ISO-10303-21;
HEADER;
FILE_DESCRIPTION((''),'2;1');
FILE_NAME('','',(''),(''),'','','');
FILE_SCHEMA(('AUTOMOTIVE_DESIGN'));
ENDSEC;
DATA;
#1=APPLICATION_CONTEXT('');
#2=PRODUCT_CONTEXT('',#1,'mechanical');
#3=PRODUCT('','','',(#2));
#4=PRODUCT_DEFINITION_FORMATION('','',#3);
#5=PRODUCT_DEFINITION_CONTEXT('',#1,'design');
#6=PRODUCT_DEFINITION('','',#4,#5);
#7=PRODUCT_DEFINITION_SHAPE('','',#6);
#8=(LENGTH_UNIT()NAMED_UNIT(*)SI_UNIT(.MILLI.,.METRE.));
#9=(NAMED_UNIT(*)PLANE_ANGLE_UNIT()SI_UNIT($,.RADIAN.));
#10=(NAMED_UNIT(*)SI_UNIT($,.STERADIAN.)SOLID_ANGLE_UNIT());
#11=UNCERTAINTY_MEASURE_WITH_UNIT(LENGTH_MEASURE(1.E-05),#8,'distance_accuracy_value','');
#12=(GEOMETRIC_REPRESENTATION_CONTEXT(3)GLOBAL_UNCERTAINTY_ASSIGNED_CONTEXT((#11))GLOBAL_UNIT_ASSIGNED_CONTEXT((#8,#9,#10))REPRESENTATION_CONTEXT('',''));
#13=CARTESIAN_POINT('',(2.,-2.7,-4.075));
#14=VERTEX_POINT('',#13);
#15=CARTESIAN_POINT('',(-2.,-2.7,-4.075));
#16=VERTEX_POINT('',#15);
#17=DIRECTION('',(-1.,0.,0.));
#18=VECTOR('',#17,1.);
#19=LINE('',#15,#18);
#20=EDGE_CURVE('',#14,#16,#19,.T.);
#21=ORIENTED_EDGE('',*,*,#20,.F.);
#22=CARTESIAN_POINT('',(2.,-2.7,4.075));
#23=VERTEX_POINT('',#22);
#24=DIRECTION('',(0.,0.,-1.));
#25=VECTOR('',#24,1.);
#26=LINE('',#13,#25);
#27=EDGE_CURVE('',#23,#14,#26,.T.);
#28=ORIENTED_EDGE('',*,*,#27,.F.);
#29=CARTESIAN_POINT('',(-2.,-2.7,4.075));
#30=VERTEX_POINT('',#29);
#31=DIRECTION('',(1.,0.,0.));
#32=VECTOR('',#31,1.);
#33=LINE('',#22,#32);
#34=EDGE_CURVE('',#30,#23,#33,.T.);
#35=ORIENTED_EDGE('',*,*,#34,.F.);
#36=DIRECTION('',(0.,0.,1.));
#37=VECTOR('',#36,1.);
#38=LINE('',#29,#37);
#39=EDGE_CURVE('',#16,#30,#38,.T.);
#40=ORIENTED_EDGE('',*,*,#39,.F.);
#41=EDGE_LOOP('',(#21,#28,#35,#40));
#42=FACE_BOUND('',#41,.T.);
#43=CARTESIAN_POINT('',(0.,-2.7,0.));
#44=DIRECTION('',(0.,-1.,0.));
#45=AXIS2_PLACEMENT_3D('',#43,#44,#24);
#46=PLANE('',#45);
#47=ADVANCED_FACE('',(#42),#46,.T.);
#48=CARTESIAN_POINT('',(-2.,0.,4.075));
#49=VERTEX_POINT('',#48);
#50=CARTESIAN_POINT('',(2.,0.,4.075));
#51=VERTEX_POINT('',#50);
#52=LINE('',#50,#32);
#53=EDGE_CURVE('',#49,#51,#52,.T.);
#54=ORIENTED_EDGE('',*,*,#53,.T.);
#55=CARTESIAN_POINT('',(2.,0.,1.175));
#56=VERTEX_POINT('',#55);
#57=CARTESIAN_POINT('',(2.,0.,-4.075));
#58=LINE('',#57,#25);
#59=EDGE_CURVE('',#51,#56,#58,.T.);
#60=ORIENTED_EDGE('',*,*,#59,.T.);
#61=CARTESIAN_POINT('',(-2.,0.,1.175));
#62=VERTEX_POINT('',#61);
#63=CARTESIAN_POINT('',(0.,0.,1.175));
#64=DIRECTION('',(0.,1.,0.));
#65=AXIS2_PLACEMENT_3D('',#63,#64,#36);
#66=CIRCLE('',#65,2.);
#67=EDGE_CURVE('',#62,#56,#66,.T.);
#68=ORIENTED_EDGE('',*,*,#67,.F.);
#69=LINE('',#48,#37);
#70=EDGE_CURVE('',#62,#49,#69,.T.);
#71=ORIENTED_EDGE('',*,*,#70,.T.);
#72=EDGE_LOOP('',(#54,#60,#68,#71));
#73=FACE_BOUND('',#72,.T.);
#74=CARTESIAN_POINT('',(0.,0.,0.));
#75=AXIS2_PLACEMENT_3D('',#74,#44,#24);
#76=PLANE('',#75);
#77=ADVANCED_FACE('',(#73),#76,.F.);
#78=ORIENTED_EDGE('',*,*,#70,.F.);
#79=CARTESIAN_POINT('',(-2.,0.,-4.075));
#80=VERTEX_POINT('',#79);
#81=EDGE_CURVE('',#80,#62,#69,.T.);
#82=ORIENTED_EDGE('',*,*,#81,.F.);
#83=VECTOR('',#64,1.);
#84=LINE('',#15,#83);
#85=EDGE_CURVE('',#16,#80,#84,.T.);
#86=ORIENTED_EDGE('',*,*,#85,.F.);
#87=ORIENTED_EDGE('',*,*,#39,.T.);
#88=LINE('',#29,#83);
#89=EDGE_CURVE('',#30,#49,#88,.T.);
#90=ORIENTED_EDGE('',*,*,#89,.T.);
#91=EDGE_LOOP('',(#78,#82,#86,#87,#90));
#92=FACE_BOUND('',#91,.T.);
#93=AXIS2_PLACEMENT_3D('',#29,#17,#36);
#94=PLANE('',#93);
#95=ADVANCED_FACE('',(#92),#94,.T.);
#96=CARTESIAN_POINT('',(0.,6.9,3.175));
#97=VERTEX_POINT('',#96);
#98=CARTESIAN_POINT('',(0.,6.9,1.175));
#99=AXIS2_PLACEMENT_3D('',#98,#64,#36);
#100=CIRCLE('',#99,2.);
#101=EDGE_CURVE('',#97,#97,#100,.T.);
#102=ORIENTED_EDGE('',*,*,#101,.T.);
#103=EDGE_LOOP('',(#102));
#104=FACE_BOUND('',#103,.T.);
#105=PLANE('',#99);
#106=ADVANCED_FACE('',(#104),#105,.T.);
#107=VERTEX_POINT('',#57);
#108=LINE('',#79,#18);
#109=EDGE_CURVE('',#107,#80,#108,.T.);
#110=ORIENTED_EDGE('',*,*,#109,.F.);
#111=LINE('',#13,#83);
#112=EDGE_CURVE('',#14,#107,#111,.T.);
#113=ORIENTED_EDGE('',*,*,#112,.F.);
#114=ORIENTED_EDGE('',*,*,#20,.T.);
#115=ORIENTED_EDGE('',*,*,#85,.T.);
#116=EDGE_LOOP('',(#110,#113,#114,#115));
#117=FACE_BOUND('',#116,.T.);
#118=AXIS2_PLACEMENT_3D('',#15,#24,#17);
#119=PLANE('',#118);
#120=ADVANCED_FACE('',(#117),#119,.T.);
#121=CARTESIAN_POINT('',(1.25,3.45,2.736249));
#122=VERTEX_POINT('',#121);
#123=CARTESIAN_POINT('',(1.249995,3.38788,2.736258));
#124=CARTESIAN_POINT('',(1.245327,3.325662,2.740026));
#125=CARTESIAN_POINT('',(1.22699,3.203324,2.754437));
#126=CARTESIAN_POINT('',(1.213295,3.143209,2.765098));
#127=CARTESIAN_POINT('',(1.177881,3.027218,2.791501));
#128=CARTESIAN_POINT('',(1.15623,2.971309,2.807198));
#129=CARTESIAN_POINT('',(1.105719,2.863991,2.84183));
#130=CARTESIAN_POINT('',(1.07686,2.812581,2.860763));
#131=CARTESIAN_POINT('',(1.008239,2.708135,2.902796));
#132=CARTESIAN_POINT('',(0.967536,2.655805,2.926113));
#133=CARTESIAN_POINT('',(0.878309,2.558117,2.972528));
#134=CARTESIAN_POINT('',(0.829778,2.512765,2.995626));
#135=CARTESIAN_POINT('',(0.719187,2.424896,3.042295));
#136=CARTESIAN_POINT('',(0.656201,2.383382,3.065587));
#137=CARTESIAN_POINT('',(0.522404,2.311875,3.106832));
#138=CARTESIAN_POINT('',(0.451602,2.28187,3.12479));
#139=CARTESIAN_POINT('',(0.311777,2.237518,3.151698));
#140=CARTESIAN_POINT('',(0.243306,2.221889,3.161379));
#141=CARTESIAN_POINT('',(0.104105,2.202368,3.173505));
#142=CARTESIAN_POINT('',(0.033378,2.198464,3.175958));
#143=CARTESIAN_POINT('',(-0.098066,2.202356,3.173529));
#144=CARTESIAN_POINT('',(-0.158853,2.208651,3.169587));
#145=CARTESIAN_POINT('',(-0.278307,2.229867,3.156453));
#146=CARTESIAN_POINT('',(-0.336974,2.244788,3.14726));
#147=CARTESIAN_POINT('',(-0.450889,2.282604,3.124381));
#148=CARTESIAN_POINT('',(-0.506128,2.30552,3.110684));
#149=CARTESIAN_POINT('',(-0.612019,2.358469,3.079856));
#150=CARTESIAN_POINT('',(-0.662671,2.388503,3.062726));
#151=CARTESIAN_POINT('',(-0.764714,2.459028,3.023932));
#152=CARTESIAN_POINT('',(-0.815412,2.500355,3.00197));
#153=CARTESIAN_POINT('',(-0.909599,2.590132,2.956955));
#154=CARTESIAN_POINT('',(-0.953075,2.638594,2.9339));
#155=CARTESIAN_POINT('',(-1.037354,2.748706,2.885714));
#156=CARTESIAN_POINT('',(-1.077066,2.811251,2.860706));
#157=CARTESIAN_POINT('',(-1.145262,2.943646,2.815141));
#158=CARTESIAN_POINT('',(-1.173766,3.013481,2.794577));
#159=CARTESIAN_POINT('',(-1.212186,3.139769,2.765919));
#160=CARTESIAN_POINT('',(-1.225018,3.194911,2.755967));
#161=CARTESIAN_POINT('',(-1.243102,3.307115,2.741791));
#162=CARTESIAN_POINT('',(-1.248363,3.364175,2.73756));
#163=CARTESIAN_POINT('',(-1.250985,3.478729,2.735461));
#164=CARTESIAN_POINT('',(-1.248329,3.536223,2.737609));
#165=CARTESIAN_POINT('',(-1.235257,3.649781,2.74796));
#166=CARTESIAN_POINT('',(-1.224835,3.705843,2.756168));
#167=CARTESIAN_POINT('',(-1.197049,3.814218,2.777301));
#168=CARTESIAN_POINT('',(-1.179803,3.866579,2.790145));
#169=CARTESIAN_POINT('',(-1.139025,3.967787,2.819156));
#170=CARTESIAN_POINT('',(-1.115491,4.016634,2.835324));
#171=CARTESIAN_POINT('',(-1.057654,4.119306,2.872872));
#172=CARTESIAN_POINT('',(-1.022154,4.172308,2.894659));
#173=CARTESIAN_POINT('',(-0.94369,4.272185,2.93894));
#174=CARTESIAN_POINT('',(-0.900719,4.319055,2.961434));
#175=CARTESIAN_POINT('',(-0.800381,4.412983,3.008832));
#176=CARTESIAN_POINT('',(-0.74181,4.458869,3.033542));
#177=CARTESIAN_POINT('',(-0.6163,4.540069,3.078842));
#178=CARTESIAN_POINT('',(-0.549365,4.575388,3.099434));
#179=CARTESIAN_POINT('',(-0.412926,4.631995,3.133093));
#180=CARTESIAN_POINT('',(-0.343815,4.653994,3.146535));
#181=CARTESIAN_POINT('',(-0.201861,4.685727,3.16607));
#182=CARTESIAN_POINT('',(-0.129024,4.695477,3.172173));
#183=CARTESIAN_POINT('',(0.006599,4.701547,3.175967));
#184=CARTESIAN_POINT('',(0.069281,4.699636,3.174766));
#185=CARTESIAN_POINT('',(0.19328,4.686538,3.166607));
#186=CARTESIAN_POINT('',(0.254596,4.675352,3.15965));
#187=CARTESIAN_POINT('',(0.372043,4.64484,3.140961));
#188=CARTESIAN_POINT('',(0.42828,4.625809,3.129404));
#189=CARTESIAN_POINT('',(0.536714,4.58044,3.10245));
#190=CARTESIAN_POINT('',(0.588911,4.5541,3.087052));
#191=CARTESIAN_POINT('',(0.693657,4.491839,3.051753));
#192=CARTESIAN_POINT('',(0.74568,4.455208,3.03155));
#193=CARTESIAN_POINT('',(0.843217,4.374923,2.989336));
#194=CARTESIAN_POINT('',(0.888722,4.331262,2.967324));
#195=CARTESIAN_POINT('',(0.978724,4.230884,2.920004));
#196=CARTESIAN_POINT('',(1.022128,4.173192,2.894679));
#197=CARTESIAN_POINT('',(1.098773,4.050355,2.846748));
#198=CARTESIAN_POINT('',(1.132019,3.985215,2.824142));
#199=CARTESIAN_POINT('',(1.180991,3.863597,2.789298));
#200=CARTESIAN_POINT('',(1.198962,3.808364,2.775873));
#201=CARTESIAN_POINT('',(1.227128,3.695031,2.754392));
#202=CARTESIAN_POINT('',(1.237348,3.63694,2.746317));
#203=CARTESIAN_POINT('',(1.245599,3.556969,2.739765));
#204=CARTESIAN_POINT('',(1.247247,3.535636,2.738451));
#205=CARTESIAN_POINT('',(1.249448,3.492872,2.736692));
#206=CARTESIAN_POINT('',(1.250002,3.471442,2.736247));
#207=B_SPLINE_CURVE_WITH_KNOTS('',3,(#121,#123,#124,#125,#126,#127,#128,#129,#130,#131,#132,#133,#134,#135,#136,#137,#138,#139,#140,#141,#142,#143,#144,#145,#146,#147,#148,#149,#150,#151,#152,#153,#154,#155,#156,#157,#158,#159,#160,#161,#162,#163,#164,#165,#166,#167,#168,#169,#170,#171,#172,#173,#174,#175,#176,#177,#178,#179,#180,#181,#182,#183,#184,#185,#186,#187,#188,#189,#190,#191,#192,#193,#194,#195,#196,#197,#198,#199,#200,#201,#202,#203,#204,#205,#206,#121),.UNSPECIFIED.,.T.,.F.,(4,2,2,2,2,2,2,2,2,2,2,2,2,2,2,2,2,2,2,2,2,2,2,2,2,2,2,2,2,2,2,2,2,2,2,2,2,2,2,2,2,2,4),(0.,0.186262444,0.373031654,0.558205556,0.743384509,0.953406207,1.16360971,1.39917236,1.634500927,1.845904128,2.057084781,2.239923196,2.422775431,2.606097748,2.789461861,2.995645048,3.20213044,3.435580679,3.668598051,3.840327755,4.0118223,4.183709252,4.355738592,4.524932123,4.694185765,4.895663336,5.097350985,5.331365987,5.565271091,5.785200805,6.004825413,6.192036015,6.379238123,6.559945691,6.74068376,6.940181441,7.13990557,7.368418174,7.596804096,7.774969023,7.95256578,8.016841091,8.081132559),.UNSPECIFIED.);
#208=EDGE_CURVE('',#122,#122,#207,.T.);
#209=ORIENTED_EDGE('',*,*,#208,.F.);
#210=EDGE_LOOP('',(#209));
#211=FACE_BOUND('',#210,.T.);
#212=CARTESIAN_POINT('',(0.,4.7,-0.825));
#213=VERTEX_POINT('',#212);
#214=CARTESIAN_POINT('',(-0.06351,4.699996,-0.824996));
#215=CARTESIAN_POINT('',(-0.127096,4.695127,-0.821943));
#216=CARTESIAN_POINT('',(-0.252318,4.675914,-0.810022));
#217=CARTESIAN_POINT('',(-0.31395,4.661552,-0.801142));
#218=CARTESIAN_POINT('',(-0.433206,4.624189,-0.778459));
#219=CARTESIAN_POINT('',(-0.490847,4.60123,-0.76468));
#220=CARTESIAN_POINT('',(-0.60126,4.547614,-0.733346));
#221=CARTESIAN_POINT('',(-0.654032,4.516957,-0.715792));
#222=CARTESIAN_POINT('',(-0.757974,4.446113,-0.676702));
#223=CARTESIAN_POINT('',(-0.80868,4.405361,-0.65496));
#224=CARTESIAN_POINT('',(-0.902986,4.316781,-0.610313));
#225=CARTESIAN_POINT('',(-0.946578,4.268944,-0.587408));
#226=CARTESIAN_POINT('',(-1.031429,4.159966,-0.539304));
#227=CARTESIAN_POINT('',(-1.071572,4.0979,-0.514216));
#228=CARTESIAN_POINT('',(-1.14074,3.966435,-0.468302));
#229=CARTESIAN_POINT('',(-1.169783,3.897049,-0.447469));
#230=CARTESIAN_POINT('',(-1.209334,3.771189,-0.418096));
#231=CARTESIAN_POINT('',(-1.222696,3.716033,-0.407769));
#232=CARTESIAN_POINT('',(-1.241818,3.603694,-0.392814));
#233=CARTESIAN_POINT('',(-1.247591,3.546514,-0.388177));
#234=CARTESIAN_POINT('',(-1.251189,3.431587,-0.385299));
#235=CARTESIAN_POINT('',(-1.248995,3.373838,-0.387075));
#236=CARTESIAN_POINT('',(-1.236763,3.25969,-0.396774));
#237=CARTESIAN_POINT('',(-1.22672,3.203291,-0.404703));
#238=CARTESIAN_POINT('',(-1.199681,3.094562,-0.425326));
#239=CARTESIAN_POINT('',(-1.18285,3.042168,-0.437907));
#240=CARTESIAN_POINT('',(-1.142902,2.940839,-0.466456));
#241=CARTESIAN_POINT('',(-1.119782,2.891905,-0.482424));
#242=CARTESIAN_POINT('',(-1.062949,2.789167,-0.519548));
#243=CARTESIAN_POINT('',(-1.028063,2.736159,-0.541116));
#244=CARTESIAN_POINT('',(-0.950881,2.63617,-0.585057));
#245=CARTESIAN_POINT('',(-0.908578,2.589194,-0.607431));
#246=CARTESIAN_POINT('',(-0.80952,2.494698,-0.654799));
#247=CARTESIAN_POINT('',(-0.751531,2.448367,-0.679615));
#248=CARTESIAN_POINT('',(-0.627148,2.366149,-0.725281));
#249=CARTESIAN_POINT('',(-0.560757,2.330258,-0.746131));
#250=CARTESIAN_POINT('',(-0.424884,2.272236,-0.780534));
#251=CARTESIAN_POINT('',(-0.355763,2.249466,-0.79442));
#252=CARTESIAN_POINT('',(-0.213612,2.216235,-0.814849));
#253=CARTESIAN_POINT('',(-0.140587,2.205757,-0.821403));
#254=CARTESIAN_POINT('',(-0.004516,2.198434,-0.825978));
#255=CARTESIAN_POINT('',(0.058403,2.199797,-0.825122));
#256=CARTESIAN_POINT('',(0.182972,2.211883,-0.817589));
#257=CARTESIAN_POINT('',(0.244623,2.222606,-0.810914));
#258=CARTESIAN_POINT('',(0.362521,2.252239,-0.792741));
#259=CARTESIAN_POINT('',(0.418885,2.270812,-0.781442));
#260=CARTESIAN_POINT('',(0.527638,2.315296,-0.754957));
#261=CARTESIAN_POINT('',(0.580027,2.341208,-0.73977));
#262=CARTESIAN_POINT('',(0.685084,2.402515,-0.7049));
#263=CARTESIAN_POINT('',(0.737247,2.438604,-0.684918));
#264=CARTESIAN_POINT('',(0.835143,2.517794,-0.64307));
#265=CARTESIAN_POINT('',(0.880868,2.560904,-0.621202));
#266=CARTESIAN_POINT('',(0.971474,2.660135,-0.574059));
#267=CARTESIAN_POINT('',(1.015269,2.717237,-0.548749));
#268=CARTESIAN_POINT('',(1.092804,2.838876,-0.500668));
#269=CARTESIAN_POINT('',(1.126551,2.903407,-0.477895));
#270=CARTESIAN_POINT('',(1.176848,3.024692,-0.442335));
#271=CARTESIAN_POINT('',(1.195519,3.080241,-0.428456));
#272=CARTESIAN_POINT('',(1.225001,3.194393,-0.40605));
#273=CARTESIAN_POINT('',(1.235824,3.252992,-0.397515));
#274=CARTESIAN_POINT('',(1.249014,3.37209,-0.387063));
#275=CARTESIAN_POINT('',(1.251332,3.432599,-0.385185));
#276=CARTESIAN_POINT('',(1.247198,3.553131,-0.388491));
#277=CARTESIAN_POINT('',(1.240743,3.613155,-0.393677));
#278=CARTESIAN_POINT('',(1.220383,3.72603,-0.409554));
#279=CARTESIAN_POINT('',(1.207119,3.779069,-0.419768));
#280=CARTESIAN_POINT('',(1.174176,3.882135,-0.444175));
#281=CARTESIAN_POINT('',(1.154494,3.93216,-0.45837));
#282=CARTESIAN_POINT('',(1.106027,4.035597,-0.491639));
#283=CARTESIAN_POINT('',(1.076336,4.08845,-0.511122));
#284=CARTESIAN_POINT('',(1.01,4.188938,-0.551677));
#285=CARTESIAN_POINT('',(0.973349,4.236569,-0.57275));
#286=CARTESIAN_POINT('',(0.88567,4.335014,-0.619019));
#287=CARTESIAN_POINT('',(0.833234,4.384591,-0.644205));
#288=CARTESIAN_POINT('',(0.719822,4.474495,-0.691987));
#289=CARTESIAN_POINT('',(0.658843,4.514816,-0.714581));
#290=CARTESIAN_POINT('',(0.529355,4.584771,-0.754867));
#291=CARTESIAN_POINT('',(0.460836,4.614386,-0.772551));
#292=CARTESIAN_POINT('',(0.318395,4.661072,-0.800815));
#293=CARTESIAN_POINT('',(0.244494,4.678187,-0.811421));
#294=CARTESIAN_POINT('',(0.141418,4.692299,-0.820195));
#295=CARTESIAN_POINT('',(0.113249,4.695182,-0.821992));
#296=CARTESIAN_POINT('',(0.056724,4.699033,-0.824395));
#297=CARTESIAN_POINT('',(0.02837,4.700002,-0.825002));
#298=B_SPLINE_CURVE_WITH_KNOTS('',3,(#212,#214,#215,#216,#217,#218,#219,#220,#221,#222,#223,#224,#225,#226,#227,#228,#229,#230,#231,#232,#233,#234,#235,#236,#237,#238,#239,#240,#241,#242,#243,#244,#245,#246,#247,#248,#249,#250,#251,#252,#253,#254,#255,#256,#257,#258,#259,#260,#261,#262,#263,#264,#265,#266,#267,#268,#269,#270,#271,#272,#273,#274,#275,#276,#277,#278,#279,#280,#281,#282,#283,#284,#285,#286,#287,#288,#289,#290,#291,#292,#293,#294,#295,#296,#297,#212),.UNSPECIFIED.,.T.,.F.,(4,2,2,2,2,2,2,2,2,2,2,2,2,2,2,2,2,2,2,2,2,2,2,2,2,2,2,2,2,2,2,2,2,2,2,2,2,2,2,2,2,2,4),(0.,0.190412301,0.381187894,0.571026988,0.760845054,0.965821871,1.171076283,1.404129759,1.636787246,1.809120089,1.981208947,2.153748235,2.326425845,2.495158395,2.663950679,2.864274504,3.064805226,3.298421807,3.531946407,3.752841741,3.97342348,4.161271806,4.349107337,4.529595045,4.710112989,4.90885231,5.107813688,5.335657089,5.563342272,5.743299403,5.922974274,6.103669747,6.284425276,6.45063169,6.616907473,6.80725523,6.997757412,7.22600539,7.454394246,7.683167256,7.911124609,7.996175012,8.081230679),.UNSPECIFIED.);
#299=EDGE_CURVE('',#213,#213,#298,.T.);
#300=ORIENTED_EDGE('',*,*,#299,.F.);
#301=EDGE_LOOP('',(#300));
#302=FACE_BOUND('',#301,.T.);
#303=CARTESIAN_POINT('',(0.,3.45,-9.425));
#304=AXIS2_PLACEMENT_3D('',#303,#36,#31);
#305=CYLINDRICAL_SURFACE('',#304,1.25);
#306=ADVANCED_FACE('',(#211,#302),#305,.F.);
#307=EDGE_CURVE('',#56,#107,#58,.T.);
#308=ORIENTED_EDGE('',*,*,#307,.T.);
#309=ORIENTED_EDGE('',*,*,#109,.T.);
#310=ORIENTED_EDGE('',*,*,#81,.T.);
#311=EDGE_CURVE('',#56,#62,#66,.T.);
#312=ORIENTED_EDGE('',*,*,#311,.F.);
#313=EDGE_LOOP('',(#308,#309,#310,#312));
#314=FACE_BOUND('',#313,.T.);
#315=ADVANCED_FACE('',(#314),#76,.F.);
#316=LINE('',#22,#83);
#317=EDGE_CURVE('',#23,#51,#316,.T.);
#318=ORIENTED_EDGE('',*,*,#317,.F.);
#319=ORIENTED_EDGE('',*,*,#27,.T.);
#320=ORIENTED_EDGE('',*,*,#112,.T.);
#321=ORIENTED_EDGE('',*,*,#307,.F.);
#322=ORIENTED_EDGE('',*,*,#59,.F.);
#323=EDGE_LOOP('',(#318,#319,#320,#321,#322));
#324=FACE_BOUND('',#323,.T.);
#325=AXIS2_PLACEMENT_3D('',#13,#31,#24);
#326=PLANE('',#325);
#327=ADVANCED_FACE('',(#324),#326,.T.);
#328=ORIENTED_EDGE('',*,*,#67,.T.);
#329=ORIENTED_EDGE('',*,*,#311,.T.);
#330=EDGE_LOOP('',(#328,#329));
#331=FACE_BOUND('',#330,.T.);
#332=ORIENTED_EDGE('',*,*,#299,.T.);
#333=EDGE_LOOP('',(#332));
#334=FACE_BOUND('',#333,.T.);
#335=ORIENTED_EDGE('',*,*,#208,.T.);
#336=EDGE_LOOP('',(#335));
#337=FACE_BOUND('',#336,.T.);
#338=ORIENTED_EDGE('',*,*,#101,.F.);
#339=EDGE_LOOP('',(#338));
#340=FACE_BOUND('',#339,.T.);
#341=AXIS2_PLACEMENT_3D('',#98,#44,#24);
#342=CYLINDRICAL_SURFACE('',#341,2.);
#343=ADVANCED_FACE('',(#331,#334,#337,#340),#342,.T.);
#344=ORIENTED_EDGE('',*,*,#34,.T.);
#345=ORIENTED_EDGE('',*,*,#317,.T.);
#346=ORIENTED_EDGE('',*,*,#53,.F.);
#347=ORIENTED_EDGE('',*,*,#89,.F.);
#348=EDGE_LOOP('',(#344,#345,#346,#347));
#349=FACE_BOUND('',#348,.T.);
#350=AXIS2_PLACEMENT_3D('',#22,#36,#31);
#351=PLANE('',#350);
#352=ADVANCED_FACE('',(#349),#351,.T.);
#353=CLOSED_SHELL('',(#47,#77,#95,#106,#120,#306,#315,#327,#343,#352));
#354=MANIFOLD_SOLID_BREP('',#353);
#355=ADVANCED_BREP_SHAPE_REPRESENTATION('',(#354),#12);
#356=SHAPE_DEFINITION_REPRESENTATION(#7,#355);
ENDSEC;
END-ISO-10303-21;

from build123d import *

# Parameters (mm, degrees)
SKETCH2_W         = 4
SKETCH2_H         = 8.15
BOTTOM_DEPTH      = 2.7
SKETCH3_R         = 2
TOP_DEPTH         = 6.9
SKETCH4_R         = 1.25
TENDON_HOLE_DEPTH = 13.5


with BuildPart() as part:
    # Sketch2 → bottom (new body)
    with BuildSketch(Plane(origin=(0, 0, 0), x_dir=(1, 0, 0), z_dir=(0, 1, 0))):
        Rectangle(SKETCH2_W, SKETCH2_H)
    extrude(amount=-BOTTOM_DEPTH)

    # Sketch3 → top (add)
    with BuildSketch(Plane(origin=(0, 0, 0), x_dir=(1, 0, 0), z_dir=(0, 1, 0))):
        with Locations((0, -1.175)):
            Circle(SKETCH3_R)
    extrude(amount=TOP_DEPTH)

    # Sketch4 → tendon hole (cut)
    with BuildSketch(Plane.XY.offset(4.075)):
        with Locations((0, 3.45)):
            Circle(SKETCH4_R)
    extrude(amount=-TENDON_HOLE_DEPTH, mode=Mode.SUBTRACT)


solid = part.part
